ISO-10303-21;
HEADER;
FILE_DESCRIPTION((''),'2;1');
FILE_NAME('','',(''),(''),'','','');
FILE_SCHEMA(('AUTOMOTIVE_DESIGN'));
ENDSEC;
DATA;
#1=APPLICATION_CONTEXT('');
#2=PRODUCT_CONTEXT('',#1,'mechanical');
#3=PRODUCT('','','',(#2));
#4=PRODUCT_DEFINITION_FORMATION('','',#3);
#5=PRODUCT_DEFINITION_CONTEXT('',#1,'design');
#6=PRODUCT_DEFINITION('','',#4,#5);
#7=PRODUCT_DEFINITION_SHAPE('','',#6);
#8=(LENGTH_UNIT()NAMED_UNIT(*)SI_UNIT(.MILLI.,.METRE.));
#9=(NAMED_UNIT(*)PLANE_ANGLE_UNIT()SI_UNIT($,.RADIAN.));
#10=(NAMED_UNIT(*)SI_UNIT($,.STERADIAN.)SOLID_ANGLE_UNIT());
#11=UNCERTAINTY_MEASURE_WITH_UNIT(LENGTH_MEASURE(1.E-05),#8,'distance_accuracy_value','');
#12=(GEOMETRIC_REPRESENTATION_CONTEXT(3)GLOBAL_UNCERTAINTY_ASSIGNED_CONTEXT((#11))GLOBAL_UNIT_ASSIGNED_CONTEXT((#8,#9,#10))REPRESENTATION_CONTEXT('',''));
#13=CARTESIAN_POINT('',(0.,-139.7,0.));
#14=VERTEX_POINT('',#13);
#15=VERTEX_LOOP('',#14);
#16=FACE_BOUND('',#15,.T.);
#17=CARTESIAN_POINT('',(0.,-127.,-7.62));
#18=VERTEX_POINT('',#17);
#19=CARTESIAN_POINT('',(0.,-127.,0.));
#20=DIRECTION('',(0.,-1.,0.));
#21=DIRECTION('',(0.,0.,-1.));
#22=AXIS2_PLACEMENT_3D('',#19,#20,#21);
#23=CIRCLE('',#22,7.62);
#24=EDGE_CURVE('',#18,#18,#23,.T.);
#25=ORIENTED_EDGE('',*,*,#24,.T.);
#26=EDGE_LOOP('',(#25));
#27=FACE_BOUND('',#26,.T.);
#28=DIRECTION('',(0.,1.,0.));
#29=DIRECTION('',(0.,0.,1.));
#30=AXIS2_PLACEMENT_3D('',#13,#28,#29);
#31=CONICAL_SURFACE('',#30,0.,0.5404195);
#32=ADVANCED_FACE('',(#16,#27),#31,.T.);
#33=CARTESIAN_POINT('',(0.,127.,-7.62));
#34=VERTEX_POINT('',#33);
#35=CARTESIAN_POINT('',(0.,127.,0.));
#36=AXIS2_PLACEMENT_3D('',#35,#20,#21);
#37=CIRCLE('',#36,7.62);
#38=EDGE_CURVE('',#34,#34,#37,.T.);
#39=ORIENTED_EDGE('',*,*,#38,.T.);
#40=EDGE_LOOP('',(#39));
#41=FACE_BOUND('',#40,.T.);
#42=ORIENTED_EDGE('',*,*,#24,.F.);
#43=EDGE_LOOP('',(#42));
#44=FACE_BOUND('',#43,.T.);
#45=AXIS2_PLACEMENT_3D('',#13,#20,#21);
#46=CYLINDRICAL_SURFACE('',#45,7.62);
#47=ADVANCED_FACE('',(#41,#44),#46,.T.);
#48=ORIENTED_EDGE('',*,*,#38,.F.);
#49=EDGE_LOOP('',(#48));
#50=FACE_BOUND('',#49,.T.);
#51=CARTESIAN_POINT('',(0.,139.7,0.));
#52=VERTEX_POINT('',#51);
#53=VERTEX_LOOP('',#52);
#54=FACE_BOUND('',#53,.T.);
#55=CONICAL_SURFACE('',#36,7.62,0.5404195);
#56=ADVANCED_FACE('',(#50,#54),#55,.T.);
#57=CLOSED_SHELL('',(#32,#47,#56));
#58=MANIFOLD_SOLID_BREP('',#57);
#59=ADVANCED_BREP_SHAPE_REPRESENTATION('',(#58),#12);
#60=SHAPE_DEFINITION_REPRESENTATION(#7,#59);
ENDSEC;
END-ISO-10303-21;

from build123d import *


with BuildPart() as part:
    # Sketch1 → Revolve1 (revolve)
    with BuildSketch(Plane(origin=(0, 0, 0), x_dir=(0, 0, -1), z_dir=(1, 0, 0))):
        Polygon((0, -139.7), (0, 139.7), (7.62, 127), (7.62, -127), align=None)
    revolve(axis=Axis((0, -139.7, 0), (0, 1, 0)))


solid = part.part
